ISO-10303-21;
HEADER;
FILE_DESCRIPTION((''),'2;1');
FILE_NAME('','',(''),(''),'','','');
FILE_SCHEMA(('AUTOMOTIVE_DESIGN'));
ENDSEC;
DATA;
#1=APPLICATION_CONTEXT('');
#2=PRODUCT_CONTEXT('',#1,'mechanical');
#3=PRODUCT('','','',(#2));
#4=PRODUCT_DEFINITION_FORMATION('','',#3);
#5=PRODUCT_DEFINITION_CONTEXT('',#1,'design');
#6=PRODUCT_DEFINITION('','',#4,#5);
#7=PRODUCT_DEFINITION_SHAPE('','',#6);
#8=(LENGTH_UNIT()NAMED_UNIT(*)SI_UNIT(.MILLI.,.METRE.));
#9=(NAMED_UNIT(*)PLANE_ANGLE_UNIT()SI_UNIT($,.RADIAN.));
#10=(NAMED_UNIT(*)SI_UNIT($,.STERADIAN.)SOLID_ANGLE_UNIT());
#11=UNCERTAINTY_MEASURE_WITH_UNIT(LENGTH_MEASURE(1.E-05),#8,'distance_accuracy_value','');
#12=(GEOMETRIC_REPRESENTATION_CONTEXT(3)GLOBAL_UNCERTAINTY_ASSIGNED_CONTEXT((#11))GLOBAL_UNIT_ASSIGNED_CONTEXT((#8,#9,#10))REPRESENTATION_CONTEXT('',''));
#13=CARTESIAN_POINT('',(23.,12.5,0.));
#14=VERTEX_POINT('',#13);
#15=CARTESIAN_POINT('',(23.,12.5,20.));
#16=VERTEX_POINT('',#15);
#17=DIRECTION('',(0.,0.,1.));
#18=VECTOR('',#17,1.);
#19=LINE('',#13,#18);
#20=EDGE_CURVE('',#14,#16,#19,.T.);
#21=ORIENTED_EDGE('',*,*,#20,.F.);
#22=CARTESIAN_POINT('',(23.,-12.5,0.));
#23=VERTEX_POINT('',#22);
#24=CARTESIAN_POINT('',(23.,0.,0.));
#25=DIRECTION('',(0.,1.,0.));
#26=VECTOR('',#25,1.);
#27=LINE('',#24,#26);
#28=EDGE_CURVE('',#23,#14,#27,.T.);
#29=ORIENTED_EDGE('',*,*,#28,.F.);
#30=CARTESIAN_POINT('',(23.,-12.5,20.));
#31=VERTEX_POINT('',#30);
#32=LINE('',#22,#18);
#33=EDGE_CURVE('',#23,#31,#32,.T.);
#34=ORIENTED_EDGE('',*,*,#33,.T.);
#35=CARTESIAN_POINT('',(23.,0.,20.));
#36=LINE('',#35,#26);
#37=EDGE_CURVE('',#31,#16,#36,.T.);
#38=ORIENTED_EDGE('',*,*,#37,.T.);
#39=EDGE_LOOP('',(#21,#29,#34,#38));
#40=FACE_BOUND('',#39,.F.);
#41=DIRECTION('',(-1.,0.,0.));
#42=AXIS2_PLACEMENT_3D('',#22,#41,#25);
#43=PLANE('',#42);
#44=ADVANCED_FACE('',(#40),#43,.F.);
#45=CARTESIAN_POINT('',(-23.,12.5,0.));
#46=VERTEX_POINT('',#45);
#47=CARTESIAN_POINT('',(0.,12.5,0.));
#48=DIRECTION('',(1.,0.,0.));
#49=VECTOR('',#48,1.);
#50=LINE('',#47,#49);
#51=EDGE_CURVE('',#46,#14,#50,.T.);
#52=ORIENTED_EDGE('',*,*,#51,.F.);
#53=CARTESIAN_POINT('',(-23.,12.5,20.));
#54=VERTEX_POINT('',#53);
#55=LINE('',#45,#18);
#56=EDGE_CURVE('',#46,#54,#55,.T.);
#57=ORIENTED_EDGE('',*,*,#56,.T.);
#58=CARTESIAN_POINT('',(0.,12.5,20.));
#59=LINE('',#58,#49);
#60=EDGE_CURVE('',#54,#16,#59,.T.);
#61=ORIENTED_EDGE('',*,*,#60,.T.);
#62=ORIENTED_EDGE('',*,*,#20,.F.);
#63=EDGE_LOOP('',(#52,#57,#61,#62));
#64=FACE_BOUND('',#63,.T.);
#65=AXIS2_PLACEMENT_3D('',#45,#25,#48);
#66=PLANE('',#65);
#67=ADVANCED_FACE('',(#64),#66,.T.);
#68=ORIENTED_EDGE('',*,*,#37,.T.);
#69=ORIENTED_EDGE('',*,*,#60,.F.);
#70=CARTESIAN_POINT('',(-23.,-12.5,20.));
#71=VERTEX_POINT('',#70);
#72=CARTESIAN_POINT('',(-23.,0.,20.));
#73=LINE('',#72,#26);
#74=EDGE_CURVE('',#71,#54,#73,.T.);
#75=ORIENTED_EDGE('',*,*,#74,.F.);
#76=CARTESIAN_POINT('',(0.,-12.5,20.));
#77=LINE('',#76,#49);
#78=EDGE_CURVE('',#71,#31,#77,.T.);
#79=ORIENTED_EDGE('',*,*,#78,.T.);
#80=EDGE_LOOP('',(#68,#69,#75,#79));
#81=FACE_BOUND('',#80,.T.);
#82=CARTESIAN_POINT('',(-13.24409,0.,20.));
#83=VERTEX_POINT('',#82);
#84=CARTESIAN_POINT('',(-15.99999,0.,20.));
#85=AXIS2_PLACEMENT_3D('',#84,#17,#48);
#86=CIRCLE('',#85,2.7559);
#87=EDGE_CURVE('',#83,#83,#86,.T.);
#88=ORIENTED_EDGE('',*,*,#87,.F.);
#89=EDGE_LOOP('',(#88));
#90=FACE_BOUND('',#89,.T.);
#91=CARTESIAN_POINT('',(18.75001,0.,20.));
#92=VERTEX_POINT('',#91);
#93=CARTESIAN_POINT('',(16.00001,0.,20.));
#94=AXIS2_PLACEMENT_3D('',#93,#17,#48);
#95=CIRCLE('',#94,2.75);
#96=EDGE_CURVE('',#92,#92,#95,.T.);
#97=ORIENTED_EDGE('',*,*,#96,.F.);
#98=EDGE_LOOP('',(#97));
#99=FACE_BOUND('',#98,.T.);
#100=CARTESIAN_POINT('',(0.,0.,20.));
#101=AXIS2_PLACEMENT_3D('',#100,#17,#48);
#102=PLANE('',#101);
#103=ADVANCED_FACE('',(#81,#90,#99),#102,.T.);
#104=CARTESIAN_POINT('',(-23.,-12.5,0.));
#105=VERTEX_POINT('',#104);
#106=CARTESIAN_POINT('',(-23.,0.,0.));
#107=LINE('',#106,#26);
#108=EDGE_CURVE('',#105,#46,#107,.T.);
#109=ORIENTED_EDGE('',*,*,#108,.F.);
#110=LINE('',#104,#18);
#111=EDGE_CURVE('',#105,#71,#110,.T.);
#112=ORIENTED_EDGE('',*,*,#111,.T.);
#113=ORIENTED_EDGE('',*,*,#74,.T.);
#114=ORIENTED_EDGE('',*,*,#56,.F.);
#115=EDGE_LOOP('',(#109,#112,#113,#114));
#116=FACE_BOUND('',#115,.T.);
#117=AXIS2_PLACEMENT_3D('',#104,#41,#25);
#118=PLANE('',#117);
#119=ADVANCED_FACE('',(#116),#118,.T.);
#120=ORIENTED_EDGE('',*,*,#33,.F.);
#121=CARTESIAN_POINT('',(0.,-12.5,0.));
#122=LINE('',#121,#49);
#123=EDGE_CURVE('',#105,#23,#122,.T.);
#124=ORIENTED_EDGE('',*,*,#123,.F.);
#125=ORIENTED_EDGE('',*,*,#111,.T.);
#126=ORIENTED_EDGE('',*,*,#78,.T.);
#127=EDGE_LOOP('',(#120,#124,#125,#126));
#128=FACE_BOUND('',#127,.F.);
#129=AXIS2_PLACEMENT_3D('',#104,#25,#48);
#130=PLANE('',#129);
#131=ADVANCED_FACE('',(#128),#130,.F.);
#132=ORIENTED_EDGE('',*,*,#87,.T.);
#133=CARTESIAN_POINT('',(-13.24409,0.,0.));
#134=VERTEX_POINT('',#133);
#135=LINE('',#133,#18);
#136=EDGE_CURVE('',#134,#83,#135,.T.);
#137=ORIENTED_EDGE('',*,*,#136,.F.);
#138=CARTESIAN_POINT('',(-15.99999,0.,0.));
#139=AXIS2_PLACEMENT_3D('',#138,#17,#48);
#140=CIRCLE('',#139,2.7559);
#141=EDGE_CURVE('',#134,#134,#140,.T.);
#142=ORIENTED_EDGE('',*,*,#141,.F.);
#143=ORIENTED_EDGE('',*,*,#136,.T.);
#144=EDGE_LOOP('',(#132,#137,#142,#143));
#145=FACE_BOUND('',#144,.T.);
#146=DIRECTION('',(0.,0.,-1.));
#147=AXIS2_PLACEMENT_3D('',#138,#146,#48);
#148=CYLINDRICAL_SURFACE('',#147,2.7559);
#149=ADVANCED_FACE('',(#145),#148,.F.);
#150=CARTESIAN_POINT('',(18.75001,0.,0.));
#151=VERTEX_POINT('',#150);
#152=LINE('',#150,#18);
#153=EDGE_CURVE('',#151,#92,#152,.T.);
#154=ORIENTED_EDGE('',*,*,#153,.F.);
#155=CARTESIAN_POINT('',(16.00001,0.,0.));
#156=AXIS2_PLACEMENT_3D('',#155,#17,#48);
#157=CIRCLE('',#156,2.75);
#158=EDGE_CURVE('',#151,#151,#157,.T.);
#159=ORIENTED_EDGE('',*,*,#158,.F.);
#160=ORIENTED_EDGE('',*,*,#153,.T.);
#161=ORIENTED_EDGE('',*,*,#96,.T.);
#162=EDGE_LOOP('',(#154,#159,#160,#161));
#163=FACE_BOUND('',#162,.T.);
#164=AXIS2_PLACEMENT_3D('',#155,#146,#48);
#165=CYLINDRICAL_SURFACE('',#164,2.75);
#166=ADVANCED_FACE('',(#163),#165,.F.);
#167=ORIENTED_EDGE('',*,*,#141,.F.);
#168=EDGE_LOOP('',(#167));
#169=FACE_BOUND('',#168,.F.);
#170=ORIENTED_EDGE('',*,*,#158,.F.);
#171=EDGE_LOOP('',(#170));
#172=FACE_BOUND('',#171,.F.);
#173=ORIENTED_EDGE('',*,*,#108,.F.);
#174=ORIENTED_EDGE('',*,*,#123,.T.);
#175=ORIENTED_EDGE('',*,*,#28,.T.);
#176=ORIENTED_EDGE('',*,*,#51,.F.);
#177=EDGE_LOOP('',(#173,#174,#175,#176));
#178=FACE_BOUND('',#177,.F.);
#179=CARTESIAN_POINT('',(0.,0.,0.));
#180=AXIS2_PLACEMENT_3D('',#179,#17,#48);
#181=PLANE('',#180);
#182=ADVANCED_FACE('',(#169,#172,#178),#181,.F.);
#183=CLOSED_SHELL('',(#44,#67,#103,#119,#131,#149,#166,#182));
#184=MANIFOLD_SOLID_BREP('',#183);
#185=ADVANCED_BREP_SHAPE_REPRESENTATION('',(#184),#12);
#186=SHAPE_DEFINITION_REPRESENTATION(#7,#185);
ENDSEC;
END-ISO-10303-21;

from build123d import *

# Parameters (mm, degrees)
F0_W     = 46
F0_H     = 25
F0_R     = 2.7559
F0_R_2   = 2.75
F1_DEPTH = 20


with BuildPart() as f1:
    # F0 (on Top) → F1 (new body)
    with BuildSketch(Plane.XY):
        Rectangle(F0_W, F0_H)
        with Locations((-15.99999, 0)):
            Circle(F0_R, mode=Mode.SUBTRACT)
        with Locations((16.00001, 0)):
            Circle(F0_R_2, mode=Mode.SUBTRACT)
    extrude(amount=F1_DEPTH)


solid = f1.part
